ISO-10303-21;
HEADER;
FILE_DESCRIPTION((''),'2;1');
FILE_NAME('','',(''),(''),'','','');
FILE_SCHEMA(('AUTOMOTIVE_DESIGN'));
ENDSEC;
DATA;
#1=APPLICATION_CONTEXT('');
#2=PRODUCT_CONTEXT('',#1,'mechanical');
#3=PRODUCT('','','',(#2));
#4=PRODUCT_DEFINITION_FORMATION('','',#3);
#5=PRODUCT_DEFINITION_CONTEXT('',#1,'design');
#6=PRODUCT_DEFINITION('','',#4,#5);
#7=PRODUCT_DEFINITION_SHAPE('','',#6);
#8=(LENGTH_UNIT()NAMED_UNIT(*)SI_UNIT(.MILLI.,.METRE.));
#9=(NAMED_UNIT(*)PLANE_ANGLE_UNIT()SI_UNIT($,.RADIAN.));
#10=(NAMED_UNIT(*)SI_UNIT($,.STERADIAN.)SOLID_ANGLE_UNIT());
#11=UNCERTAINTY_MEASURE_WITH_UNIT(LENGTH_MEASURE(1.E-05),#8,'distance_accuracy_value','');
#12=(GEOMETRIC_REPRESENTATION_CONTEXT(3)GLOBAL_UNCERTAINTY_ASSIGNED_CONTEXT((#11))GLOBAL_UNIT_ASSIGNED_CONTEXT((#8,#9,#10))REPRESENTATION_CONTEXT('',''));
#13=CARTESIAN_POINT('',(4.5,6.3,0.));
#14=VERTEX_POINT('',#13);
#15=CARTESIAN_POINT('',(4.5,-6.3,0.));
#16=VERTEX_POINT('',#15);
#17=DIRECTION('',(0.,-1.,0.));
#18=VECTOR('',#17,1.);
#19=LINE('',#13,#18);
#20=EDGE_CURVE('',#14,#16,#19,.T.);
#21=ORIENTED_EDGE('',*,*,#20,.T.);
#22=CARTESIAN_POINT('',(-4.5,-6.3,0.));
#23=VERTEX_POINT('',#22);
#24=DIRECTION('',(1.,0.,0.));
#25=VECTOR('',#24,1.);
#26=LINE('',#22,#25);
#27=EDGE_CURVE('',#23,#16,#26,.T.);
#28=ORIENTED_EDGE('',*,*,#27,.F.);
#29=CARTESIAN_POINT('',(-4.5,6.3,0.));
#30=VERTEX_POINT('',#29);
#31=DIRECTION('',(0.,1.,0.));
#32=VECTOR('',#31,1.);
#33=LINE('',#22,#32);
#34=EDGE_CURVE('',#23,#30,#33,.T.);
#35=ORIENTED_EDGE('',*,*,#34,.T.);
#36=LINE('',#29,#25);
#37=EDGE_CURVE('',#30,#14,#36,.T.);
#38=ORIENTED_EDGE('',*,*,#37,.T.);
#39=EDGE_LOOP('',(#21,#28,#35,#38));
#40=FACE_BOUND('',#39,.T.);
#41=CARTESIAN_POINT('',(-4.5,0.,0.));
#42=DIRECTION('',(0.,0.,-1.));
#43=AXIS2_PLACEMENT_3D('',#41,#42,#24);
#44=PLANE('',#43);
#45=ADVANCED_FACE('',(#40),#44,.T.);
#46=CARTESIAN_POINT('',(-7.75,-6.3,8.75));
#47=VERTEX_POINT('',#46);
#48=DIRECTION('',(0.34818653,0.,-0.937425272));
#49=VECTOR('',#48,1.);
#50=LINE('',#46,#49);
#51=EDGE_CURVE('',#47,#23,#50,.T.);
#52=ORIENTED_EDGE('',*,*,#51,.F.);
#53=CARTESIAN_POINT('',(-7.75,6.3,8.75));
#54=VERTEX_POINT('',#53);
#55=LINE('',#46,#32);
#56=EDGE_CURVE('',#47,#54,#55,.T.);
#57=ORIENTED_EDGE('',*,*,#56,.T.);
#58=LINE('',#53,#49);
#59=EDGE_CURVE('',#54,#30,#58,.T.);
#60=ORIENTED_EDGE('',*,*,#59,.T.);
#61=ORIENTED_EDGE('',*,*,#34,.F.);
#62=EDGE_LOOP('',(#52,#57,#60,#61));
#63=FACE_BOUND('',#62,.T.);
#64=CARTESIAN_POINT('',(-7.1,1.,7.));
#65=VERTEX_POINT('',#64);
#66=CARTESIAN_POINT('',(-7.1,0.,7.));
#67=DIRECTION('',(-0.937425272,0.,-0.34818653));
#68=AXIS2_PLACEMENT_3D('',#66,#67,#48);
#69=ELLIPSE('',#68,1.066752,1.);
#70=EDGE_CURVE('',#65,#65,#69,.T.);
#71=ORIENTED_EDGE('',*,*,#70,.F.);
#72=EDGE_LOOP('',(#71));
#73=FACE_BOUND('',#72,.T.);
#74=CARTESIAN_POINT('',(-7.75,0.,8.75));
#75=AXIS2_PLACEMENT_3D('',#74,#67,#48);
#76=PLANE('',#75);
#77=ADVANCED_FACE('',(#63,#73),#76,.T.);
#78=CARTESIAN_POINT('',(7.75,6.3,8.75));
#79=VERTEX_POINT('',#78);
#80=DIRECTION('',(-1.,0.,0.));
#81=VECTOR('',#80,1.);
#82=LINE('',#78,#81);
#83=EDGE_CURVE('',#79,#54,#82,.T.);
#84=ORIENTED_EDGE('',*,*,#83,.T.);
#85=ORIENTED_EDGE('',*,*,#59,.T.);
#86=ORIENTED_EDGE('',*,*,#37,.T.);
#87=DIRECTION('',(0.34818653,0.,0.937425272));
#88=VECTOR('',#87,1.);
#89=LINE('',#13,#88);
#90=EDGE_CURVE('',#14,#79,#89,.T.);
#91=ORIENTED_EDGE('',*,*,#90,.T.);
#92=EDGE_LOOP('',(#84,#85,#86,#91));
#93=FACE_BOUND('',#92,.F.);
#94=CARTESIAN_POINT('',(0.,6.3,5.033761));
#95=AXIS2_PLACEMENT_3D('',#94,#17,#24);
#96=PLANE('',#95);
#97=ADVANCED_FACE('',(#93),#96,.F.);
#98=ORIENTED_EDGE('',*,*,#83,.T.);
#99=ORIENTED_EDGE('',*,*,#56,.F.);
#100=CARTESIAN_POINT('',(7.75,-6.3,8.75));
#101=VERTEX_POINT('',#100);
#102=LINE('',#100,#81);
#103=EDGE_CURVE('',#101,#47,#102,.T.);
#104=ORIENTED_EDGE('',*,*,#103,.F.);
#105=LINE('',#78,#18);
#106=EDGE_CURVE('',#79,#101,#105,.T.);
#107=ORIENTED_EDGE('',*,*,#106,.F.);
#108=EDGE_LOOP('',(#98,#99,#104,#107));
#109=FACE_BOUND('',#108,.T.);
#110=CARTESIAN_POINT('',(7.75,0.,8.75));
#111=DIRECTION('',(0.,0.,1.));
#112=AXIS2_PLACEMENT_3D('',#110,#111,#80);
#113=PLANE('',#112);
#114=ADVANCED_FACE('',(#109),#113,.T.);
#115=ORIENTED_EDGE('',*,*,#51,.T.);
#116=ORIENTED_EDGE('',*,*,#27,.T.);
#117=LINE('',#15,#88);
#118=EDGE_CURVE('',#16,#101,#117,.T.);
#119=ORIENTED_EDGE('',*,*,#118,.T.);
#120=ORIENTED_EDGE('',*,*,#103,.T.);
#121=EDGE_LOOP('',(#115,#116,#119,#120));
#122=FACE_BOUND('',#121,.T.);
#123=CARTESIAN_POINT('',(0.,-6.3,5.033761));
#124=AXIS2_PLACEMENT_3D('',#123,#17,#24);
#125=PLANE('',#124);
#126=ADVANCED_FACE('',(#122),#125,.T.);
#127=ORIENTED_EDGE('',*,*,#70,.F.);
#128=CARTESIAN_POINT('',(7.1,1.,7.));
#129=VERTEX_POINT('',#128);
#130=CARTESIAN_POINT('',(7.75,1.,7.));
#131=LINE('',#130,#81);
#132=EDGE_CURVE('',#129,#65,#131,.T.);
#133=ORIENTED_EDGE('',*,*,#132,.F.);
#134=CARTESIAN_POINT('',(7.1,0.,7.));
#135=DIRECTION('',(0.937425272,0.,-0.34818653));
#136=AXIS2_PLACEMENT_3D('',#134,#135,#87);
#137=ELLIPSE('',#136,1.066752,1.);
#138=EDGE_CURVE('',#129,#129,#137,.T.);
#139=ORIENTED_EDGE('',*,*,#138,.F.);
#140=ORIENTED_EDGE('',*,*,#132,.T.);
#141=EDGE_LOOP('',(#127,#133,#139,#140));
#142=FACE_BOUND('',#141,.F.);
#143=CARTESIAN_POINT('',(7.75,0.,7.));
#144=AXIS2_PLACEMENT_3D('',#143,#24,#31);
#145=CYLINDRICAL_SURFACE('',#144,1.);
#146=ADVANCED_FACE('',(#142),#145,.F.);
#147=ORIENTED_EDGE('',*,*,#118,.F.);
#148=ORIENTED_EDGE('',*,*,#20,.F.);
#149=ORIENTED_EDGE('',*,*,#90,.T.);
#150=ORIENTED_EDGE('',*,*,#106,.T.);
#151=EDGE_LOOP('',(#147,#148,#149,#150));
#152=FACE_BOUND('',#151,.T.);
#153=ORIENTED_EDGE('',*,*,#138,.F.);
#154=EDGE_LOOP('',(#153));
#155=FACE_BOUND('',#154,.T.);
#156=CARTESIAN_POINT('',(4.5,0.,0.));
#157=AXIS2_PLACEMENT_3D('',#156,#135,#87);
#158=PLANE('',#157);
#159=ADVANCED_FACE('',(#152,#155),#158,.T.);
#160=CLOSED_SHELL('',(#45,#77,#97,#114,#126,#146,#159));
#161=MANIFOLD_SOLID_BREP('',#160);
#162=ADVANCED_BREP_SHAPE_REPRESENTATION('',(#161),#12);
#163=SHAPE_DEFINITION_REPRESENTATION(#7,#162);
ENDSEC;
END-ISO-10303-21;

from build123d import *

# Parameters (mm, degrees)
F3_DEPTH = 6.3
F2_R     = 1
F4_DEPTH = 15.501


with BuildPart() as f3:
    # F0 (on Front) → F3 (new body, symmetric)
    with BuildSketch(Plane.XZ):
        Polygon((-4.5, 0), (0, 0), (4.5, 0), (7.75, 8.75), (0, 8.75), (-7.75, 8.75), align=None)
    extrude(amount=F3_DEPTH, both=True)

    # F2 (on plane+point) → F4 (cut, through all)
    with BuildSketch(Plane.YZ.offset(7.75)):
        with Locations((0, 7)):
            Circle(F2_R)
    extrude(amount=-F4_DEPTH, mode=Mode.SUBTRACT)


solid = f3.part
